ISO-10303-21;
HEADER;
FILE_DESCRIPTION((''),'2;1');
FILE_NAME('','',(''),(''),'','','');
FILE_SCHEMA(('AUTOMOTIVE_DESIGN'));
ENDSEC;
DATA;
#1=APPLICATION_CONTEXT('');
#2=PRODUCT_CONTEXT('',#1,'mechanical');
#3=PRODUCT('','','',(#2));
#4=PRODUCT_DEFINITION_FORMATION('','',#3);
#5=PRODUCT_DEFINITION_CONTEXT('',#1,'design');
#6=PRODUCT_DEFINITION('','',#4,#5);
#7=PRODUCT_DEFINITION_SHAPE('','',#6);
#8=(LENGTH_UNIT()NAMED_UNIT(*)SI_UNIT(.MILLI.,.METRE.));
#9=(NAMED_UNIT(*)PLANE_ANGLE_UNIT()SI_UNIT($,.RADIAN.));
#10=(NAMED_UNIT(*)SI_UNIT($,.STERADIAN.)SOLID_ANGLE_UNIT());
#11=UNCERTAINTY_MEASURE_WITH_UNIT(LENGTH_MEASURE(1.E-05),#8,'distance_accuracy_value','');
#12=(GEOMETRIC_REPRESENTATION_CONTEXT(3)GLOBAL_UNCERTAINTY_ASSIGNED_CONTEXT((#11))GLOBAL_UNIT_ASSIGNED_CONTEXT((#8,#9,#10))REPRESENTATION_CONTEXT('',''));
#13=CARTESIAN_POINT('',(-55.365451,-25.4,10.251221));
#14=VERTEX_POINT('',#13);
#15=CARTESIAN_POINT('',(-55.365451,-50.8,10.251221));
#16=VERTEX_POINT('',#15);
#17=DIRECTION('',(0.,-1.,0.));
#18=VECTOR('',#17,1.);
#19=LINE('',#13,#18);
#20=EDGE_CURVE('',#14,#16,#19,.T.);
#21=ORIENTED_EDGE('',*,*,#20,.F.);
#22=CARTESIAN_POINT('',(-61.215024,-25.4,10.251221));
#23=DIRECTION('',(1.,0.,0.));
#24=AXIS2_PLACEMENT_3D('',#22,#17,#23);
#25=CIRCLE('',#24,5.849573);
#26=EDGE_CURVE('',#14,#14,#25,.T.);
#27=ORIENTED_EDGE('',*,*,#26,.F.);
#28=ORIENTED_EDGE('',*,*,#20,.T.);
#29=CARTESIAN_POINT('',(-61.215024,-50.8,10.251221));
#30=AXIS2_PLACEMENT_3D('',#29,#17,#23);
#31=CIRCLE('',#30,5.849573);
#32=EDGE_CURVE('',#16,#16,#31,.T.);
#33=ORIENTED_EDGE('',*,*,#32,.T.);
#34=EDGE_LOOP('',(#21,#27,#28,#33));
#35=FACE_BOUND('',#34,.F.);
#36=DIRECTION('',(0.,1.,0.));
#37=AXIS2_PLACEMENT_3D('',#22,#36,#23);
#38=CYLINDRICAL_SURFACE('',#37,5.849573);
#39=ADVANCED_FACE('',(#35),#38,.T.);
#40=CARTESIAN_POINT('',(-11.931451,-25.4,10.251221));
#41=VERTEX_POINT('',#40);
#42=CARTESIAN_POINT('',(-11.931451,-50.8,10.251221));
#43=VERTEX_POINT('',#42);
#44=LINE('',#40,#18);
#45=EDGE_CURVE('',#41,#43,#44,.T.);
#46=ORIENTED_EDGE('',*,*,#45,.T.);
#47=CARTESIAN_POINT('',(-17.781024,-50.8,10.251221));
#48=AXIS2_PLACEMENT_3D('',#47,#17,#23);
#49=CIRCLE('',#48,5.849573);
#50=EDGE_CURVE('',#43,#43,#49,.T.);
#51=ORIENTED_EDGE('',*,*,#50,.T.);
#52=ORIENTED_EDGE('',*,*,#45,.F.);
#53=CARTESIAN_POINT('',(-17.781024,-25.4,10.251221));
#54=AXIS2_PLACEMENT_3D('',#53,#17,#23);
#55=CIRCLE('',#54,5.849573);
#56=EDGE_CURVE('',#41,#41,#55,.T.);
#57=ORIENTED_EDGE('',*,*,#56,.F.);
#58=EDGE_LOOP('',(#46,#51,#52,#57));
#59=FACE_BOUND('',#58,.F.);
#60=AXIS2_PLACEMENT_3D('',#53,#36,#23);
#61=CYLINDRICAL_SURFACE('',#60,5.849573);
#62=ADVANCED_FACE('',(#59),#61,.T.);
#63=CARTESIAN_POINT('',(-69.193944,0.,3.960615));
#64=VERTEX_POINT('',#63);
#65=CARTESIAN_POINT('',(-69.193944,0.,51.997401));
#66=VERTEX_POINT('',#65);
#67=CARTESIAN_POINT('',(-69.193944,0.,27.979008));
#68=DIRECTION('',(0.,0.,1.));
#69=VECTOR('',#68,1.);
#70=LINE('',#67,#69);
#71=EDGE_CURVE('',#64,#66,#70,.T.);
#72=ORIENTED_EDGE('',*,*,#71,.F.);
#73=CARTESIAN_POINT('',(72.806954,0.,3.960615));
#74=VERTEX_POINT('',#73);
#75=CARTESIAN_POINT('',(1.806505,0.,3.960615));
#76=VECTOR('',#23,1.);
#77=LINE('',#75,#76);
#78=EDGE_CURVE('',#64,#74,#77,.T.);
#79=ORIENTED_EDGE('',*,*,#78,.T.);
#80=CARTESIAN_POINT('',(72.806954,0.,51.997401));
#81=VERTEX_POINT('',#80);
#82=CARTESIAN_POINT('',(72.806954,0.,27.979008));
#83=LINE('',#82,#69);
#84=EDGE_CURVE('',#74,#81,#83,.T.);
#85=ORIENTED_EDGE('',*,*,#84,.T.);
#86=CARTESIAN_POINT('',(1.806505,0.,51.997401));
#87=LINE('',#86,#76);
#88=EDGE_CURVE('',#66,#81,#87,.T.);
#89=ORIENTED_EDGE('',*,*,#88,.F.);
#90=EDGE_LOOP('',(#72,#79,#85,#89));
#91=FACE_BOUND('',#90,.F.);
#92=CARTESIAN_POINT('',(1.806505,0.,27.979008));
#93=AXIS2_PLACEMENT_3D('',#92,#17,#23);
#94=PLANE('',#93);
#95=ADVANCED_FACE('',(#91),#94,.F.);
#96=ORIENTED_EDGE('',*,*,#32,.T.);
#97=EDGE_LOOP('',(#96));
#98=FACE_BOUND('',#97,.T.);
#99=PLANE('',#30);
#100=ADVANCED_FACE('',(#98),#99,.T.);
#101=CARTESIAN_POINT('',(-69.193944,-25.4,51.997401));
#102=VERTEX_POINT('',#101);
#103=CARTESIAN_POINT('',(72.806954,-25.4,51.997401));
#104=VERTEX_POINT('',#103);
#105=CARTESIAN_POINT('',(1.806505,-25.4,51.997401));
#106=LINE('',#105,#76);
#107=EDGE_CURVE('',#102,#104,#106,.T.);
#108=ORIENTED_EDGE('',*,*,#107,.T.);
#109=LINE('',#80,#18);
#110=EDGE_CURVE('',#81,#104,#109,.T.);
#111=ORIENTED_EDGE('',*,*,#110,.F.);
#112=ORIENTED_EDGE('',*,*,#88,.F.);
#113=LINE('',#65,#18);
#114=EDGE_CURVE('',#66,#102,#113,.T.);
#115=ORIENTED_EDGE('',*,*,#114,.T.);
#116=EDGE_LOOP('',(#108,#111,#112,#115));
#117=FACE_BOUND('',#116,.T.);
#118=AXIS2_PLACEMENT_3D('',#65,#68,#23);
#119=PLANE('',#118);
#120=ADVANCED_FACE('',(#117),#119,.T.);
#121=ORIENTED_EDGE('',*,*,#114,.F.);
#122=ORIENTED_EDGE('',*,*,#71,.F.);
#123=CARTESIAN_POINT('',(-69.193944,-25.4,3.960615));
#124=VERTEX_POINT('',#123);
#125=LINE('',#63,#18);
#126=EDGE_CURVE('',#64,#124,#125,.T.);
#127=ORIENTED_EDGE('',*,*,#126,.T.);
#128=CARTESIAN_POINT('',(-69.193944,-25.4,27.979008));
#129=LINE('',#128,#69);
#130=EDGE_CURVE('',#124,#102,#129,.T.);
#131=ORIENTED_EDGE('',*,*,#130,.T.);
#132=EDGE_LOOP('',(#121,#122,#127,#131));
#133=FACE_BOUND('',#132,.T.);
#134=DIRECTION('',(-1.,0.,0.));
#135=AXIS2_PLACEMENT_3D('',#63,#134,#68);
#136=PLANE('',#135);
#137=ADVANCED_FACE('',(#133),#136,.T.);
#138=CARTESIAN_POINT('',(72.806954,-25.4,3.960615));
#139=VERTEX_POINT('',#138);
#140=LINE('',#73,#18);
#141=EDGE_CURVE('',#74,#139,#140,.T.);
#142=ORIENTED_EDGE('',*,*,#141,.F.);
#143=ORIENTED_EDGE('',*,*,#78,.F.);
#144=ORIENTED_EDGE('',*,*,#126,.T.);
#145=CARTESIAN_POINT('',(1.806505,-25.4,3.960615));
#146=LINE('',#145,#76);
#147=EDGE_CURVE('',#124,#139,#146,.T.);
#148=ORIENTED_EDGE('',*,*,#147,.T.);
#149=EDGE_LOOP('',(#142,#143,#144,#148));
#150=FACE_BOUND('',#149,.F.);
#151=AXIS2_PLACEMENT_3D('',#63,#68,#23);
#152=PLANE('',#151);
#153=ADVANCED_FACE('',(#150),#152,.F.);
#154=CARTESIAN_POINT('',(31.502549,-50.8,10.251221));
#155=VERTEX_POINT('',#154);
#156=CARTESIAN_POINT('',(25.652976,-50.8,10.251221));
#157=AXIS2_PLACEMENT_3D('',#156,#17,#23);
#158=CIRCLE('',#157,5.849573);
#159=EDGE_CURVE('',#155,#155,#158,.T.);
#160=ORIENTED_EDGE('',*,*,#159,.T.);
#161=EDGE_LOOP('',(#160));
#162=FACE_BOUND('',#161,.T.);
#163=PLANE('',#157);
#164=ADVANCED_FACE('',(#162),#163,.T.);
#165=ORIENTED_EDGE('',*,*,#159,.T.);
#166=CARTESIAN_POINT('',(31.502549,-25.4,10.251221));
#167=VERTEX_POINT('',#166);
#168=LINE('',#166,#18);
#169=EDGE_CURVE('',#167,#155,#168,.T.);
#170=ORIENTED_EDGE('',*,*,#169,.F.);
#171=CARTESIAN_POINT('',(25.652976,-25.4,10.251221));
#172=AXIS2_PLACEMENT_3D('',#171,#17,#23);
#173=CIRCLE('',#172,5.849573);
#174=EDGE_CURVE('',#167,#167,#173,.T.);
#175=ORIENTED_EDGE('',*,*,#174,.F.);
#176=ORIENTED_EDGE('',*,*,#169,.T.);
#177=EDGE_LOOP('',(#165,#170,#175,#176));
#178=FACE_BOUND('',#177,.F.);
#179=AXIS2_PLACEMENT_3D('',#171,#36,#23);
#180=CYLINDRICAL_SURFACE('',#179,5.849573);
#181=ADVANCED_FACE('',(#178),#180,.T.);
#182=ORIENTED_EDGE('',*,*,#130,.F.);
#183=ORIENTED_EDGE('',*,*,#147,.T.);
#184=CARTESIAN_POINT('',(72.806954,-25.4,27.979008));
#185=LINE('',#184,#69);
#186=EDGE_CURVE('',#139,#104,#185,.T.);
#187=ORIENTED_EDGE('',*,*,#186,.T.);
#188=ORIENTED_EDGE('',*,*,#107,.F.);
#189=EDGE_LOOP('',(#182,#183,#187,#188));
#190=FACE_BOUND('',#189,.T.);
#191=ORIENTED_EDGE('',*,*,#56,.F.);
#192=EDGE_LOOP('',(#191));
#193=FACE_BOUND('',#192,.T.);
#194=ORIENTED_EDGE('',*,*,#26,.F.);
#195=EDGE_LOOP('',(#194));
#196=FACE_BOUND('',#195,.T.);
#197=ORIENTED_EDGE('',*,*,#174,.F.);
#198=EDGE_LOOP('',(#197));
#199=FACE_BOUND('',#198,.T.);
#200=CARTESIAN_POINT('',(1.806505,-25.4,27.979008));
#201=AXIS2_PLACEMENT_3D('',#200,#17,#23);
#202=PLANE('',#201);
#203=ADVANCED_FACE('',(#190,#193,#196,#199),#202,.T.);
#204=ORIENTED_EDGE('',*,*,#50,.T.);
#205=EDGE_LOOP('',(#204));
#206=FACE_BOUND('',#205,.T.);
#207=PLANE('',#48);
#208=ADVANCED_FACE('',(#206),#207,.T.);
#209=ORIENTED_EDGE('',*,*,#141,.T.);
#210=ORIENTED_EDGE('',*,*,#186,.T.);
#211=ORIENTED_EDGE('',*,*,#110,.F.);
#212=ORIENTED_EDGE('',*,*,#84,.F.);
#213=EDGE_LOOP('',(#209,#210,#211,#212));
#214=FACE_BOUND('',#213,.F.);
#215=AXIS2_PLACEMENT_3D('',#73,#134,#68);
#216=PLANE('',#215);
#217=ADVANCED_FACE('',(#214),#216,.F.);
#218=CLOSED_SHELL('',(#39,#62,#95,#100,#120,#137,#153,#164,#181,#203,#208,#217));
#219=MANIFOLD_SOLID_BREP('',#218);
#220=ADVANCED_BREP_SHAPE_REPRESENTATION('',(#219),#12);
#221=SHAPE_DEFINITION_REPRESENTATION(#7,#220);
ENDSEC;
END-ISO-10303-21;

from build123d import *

# Parameters (mm, degrees)
F0_W     = 142.000898
F0_H     = 48.036786
F1_DEPTH = 25.4
F2_R     = 5.849573
F3_DEPTH = 25.4


with BuildPart() as f1:
    # F0 (on Front) → F1 (new body)
    with BuildSketch(Plane.XZ):
        with Locations((1.806505, 27.979008)):
            Rectangle(F0_W, F0_H)
    extrude(amount=F1_DEPTH)

    # F2 (on face) → F3 (join)
    with BuildSketch(Plane.XZ.offset(25.4)):
        with Locations((-61.215024, 10.251221)):
            Circle(F2_R)
        with Locations((-17.781024, 10.251221)):
            Circle(F2_R)
        with Locations((25.652976, 10.251221)):
            Circle(F2_R)
    extrude(amount=F3_DEPTH)


solid = f1.part
